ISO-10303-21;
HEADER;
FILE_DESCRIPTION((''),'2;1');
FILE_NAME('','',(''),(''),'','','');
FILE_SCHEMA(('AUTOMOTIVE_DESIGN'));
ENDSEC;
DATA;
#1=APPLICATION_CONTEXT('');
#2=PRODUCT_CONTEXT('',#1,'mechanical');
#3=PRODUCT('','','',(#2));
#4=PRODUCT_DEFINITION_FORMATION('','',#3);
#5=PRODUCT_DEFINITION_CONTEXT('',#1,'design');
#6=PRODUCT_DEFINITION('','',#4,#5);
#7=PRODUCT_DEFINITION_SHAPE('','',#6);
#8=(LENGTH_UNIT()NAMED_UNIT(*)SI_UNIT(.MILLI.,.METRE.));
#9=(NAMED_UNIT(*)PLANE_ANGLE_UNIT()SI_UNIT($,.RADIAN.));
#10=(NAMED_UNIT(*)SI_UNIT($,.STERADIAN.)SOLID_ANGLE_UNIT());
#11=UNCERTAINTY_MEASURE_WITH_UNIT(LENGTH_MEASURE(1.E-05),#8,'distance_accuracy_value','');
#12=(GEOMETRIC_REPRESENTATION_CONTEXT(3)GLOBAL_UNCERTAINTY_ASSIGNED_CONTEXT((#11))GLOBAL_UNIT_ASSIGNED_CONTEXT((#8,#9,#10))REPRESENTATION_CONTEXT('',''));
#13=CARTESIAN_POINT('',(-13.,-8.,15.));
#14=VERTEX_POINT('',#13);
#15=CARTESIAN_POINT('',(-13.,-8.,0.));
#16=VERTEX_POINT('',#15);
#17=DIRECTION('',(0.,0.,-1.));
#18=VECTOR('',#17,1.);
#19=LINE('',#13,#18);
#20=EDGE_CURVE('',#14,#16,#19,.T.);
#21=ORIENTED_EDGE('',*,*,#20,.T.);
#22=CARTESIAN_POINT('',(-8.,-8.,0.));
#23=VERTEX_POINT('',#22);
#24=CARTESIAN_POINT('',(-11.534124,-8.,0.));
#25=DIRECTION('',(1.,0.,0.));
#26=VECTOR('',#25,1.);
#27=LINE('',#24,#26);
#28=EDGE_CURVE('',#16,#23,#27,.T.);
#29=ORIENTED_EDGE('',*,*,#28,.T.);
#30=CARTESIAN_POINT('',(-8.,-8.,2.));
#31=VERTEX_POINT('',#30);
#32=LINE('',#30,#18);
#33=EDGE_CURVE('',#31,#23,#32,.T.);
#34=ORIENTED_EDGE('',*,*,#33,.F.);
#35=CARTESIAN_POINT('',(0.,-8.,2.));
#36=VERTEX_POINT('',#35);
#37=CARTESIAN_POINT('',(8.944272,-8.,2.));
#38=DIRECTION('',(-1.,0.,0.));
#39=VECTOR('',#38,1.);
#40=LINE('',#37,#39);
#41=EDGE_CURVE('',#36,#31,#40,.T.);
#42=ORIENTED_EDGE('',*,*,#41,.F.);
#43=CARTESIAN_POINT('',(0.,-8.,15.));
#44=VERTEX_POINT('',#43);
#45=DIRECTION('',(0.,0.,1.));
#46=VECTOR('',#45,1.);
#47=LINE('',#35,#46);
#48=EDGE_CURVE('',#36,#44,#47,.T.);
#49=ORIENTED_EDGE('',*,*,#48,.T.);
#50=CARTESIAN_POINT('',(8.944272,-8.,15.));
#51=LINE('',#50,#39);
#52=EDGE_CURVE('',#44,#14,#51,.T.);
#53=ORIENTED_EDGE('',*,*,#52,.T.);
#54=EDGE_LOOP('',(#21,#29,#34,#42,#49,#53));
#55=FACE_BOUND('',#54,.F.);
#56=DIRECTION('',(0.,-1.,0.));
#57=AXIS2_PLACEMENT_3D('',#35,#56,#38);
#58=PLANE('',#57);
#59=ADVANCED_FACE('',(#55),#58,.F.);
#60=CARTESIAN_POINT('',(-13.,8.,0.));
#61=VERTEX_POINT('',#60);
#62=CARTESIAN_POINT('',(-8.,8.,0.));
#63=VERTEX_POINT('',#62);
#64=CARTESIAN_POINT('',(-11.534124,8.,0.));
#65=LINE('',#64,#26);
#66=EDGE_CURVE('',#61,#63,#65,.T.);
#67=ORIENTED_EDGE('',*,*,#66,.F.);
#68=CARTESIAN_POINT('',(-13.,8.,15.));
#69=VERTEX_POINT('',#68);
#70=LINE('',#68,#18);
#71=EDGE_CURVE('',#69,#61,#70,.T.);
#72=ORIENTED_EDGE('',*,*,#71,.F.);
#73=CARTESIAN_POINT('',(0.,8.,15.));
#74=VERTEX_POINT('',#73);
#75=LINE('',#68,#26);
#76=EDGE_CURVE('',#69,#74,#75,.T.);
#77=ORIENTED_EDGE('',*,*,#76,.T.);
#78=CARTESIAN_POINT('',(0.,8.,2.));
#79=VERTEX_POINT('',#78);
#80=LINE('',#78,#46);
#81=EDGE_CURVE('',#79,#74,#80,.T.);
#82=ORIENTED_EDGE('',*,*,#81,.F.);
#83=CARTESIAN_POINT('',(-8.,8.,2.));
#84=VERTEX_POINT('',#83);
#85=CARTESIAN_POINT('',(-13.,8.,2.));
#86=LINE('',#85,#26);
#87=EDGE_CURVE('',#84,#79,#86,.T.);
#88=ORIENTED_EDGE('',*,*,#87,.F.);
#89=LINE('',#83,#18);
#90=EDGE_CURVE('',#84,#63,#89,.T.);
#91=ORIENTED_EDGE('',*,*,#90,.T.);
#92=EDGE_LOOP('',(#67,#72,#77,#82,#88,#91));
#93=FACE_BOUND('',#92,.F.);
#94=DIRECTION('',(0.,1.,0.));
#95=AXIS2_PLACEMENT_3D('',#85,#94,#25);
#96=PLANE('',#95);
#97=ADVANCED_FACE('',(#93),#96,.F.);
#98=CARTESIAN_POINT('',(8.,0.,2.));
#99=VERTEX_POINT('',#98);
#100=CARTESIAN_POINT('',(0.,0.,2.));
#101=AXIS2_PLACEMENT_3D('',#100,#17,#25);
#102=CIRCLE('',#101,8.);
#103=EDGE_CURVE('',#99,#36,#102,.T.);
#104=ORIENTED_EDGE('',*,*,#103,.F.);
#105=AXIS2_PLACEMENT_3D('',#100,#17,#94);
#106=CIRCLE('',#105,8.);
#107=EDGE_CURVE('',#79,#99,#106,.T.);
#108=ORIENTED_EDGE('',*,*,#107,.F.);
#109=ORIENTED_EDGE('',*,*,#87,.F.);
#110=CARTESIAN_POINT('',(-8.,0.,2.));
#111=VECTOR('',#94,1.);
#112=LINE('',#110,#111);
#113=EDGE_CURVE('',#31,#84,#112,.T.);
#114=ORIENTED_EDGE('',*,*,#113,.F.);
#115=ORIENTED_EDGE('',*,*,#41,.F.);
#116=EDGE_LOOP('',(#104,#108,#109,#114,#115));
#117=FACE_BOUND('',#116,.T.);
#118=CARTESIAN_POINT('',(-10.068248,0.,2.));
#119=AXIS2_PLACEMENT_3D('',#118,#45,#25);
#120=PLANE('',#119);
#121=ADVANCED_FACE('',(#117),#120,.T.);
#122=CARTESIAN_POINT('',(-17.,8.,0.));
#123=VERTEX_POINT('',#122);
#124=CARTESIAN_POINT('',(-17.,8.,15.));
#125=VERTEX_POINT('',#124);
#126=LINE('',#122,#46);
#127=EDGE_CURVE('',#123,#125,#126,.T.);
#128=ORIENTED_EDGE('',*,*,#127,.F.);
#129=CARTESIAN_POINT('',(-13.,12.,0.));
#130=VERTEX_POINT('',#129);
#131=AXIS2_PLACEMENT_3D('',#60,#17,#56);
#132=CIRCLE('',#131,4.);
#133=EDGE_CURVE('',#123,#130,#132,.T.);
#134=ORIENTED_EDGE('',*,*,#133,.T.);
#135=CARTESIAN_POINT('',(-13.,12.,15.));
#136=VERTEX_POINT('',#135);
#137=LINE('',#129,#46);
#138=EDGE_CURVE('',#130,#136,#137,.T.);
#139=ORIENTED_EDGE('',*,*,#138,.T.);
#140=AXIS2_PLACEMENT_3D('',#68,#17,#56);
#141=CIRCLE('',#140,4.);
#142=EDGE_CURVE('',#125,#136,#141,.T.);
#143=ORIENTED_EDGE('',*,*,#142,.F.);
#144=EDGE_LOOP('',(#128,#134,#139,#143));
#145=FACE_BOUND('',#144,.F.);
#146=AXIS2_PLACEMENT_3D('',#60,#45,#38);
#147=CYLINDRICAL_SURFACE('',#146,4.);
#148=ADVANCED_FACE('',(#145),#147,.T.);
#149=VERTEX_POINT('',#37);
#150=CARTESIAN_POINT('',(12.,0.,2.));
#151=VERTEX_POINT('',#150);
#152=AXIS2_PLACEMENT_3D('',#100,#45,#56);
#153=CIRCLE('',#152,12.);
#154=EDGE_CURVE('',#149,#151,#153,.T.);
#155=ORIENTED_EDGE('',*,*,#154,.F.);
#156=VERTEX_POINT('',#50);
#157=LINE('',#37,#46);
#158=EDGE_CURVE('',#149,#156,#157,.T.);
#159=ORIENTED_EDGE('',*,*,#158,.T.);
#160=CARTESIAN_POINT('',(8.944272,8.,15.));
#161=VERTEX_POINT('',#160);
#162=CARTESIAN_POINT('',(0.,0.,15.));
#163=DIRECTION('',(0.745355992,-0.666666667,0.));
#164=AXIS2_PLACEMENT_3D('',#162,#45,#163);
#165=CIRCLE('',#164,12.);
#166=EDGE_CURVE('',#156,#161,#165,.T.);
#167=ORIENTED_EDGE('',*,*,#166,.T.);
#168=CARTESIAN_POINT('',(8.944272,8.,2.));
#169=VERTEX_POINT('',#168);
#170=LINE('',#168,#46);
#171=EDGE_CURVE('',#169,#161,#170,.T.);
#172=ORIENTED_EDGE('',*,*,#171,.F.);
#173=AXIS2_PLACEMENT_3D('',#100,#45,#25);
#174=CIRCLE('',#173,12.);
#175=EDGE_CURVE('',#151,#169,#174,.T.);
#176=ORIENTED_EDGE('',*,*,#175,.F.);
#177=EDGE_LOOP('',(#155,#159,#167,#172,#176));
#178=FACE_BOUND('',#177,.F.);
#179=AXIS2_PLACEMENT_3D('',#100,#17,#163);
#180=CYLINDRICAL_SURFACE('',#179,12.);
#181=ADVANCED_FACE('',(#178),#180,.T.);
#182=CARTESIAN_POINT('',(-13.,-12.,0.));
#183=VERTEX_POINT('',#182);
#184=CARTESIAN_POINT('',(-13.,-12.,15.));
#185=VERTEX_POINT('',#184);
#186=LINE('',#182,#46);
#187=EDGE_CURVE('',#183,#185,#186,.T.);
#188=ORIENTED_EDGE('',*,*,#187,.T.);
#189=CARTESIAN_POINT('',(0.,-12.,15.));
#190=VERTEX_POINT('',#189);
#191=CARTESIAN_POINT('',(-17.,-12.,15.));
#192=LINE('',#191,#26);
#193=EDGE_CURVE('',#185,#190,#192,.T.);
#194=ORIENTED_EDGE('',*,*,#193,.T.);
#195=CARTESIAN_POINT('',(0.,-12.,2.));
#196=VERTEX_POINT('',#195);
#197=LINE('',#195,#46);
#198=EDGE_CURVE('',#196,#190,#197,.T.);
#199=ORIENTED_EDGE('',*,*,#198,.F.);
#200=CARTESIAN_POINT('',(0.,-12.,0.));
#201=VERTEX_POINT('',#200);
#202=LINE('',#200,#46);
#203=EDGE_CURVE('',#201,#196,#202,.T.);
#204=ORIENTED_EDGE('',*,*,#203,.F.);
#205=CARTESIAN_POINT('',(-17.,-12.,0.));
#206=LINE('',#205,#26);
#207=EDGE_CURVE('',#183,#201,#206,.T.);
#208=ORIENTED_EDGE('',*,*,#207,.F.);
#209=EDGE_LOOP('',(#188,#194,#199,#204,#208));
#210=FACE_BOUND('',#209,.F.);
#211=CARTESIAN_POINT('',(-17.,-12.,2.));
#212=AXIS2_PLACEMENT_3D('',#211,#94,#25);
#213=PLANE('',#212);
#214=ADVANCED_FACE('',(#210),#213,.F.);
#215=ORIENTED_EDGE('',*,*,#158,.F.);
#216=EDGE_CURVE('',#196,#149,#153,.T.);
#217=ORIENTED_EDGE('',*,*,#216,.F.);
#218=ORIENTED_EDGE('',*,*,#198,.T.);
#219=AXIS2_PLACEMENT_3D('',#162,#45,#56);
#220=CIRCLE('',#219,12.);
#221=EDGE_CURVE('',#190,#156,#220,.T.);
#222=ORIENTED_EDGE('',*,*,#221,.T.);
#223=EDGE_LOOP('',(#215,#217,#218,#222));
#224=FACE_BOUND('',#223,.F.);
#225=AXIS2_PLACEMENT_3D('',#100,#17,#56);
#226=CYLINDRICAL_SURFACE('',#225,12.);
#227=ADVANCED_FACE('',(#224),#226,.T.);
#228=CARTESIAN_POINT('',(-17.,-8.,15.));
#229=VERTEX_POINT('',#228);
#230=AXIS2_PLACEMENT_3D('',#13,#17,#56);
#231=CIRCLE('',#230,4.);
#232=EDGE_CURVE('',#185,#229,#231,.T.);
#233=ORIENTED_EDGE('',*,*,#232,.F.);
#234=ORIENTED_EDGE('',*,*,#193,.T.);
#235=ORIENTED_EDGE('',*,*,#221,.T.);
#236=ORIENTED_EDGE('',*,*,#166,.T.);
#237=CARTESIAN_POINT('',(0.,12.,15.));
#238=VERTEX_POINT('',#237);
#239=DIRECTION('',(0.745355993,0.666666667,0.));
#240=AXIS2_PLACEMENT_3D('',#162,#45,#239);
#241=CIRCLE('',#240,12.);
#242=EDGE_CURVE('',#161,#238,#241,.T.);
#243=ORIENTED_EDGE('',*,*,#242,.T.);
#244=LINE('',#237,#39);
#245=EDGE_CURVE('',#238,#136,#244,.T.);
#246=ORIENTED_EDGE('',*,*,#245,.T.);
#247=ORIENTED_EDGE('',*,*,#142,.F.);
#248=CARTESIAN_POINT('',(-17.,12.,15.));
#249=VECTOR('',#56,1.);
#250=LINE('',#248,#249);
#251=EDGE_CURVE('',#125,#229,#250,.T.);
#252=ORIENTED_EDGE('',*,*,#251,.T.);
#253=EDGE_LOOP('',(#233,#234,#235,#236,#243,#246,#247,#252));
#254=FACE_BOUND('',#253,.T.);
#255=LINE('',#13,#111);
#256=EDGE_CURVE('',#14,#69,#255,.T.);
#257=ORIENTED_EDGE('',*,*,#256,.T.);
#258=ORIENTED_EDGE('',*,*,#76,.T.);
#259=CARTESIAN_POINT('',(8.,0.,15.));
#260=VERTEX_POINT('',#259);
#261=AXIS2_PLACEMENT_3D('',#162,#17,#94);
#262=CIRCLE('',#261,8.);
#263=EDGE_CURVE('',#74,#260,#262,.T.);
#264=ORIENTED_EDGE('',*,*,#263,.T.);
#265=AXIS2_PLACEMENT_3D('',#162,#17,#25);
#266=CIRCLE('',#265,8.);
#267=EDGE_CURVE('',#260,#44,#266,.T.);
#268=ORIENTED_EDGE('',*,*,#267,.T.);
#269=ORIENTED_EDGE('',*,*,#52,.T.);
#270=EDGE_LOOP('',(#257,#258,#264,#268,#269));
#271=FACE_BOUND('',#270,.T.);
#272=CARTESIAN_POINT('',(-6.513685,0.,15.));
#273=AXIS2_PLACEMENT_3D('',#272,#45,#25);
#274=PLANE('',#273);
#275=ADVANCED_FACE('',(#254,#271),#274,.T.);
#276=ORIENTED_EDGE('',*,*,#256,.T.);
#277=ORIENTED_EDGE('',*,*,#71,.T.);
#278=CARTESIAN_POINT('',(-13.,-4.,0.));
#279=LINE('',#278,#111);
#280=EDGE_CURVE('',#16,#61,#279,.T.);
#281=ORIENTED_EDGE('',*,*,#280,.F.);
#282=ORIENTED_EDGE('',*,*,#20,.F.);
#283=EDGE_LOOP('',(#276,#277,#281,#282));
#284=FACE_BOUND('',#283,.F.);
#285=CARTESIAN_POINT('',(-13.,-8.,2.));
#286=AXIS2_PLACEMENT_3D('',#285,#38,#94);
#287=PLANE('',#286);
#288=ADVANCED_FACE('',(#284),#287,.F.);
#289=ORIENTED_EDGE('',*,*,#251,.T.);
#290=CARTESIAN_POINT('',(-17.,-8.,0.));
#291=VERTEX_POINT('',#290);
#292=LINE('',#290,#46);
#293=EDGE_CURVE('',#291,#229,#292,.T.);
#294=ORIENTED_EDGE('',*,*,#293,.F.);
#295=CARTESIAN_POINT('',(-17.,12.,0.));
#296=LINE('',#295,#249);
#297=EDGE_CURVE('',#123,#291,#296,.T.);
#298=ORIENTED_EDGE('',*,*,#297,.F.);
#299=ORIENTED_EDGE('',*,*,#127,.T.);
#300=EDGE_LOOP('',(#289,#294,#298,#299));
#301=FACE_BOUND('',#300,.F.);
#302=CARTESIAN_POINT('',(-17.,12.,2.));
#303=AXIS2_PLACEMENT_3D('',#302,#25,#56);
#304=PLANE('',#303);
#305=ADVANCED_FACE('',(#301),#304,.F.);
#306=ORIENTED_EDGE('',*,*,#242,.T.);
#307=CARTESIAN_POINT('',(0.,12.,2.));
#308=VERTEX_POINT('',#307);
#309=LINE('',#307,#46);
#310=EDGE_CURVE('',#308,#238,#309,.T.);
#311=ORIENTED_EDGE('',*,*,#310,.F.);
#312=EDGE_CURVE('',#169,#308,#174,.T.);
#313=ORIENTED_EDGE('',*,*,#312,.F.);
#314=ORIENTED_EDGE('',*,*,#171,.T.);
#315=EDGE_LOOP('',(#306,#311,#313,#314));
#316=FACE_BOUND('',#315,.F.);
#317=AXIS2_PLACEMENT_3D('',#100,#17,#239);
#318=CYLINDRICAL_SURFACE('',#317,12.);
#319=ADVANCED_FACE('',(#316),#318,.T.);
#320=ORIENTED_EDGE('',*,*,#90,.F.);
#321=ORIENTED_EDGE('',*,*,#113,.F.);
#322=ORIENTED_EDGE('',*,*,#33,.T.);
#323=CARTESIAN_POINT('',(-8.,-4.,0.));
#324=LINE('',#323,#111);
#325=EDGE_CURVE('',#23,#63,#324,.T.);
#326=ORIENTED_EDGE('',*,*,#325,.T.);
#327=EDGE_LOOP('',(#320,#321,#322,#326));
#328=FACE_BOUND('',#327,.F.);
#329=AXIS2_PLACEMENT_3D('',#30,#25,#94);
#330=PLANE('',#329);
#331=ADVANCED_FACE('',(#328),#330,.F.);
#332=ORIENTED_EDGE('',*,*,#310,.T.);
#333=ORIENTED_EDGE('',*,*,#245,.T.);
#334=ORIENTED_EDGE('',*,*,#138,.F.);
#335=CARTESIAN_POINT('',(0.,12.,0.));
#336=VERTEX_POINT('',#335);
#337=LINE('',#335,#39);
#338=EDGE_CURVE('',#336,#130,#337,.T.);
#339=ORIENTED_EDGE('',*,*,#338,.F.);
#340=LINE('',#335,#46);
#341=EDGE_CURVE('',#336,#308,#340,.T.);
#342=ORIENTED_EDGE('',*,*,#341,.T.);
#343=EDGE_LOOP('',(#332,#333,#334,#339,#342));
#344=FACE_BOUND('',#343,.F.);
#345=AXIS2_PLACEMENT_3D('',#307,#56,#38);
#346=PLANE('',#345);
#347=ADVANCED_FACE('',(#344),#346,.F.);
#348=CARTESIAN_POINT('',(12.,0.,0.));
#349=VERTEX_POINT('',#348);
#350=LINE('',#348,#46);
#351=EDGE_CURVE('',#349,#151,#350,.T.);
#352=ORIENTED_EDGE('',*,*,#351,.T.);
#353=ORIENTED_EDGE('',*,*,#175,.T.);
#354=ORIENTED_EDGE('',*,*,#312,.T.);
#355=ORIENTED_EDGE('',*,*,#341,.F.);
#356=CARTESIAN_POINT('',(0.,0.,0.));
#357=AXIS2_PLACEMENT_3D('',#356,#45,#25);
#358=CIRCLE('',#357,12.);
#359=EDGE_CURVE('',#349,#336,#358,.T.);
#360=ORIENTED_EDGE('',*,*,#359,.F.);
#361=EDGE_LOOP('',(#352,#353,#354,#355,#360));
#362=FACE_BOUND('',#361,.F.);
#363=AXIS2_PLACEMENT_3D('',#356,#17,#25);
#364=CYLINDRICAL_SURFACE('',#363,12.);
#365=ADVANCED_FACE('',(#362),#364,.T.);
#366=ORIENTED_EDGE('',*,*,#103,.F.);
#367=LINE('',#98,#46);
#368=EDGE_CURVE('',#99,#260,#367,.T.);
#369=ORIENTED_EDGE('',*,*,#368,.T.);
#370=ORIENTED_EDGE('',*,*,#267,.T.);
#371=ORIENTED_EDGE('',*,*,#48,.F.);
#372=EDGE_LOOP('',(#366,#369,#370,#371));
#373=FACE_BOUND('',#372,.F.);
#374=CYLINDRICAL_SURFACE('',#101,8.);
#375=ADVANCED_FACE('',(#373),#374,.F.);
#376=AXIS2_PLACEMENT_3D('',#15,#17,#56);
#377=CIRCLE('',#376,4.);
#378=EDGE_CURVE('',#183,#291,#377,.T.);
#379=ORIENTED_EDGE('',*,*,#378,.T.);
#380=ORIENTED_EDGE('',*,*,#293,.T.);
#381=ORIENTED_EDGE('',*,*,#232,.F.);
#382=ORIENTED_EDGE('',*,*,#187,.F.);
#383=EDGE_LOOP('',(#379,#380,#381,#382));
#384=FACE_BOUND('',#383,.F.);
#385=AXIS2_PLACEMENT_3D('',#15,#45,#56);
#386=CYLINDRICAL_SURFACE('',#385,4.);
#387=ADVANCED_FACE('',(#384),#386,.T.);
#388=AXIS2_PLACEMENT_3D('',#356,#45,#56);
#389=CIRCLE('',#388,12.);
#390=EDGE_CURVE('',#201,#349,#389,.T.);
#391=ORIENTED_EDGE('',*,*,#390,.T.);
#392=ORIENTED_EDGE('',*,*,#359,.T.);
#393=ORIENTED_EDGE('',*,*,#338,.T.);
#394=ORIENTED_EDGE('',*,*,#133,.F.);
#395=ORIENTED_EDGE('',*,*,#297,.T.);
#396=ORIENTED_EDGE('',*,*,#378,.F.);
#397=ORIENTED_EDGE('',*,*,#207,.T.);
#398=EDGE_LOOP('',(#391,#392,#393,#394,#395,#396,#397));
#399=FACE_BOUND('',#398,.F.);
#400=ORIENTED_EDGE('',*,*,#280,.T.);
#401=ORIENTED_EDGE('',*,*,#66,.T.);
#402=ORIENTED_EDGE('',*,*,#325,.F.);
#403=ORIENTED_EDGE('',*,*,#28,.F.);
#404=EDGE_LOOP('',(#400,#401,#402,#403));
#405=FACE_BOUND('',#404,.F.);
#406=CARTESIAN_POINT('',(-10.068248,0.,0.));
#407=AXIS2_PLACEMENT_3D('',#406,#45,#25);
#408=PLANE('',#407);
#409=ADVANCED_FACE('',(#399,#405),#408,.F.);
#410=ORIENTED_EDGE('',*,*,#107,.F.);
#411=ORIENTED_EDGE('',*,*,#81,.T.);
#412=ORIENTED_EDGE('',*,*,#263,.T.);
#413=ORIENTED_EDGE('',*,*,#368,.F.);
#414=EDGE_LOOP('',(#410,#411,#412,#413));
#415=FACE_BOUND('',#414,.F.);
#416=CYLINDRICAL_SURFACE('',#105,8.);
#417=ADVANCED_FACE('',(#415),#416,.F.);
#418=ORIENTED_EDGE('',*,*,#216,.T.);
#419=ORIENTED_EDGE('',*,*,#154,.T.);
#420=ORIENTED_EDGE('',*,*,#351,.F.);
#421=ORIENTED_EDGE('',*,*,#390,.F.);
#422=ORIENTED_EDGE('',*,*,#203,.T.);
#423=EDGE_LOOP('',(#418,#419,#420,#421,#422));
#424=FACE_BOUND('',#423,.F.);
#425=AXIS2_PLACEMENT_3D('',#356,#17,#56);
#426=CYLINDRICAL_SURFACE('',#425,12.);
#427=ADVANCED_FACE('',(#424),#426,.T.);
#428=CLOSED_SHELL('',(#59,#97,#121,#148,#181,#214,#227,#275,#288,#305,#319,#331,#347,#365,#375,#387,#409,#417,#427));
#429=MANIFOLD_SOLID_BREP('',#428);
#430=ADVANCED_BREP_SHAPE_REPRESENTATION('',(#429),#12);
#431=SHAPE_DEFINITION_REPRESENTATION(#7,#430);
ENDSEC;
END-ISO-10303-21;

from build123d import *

# Parameters (mm, degrees)
F1_DEPTH = 2
F3_DEPTH = 13
F4_W     = 5
F4_H     = 16
F5_DEPTH = 25
F6_R     = 4


with BuildPart() as f1:
    # F0 (on Top) → F1 (new body)
    with BuildSketch(Plane.XY):
        with BuildLine():
            ThreePointArc((0, -12), (-12, 5e-09), (9.9e-09, 12))
            Line((9.9e-09, 12), (-17, 12))
            Line((-17, 12), (-17, -12))
            Line((-17, -12), (0, -12))
        make_face()
        with BuildLine():
            ThreePointArc((0, -12), (8.4852813742, -8.4852813742), (12, 0))
            ThreePointArc((12, 0), (8.4852813777, 8.4852813707), (9.9e-09, 12))
            ThreePointArc((9.9e-09, 12), (-12, 5e-09), (0, -12))
        make_face()
    extrude(amount=F1_DEPTH)

    # F2 (on face) → F3 (join)
    with BuildSketch(Plane.XY.offset(2)):
        with BuildLine():
            Line((-13, 8), (0, 8))
            Line((0, 8), (8.94427191, 8))
            ThreePointArc((8.94427191, 8), (4.8989794901, 10.9544511481), (9.9e-09, 12))
            Line((9.9e-09, 12), (-17, 12))
            Line((-17, 12), (-17, -12))
            Line((-17, -12), (0, -12))
            ThreePointArc((0, -12), (4.8989794856, -10.9544511501), (8.94427191, -8))
            Line((8.94427191, -8), (0, -8))
            Line((0, -8), (-13, -8))
            Line((-13, -8), (-13, 8))
        make_face()
        with BuildLine():
            ThreePointArc((0, 8), (5.6568542495, 5.6568542495), (8, 0))
            ThreePointArc((8, 0), (5.6568542495, -5.6568542495), (0, -8))
            Line((0, -8), (8.94427191, -8))
            ThreePointArc((8.94427191, -8), (12, 0), (8.94427191, 8))
            Line((8.94427191, 8), (0, 8))
        make_face()
    extrude(amount=F3_DEPTH)

    # F4 (on face) → F5 (cut)
    with BuildSketch(Plane.XY.offset(2)):
        with Locations((-10.5, 0)):
            Rectangle(F4_W, F4_H)
    extrude(amount=-F5_DEPTH, mode=Mode.SUBTRACT)

    # F6
    f6_edges = [f1.edges().sort_by_distance(p)[0] for p in [
        (-17, 12, 7.5),
        (-17, -12, 7.5),
    ]]
    fillet(f6_edges, radius=F6_R)


solid = f1.part
